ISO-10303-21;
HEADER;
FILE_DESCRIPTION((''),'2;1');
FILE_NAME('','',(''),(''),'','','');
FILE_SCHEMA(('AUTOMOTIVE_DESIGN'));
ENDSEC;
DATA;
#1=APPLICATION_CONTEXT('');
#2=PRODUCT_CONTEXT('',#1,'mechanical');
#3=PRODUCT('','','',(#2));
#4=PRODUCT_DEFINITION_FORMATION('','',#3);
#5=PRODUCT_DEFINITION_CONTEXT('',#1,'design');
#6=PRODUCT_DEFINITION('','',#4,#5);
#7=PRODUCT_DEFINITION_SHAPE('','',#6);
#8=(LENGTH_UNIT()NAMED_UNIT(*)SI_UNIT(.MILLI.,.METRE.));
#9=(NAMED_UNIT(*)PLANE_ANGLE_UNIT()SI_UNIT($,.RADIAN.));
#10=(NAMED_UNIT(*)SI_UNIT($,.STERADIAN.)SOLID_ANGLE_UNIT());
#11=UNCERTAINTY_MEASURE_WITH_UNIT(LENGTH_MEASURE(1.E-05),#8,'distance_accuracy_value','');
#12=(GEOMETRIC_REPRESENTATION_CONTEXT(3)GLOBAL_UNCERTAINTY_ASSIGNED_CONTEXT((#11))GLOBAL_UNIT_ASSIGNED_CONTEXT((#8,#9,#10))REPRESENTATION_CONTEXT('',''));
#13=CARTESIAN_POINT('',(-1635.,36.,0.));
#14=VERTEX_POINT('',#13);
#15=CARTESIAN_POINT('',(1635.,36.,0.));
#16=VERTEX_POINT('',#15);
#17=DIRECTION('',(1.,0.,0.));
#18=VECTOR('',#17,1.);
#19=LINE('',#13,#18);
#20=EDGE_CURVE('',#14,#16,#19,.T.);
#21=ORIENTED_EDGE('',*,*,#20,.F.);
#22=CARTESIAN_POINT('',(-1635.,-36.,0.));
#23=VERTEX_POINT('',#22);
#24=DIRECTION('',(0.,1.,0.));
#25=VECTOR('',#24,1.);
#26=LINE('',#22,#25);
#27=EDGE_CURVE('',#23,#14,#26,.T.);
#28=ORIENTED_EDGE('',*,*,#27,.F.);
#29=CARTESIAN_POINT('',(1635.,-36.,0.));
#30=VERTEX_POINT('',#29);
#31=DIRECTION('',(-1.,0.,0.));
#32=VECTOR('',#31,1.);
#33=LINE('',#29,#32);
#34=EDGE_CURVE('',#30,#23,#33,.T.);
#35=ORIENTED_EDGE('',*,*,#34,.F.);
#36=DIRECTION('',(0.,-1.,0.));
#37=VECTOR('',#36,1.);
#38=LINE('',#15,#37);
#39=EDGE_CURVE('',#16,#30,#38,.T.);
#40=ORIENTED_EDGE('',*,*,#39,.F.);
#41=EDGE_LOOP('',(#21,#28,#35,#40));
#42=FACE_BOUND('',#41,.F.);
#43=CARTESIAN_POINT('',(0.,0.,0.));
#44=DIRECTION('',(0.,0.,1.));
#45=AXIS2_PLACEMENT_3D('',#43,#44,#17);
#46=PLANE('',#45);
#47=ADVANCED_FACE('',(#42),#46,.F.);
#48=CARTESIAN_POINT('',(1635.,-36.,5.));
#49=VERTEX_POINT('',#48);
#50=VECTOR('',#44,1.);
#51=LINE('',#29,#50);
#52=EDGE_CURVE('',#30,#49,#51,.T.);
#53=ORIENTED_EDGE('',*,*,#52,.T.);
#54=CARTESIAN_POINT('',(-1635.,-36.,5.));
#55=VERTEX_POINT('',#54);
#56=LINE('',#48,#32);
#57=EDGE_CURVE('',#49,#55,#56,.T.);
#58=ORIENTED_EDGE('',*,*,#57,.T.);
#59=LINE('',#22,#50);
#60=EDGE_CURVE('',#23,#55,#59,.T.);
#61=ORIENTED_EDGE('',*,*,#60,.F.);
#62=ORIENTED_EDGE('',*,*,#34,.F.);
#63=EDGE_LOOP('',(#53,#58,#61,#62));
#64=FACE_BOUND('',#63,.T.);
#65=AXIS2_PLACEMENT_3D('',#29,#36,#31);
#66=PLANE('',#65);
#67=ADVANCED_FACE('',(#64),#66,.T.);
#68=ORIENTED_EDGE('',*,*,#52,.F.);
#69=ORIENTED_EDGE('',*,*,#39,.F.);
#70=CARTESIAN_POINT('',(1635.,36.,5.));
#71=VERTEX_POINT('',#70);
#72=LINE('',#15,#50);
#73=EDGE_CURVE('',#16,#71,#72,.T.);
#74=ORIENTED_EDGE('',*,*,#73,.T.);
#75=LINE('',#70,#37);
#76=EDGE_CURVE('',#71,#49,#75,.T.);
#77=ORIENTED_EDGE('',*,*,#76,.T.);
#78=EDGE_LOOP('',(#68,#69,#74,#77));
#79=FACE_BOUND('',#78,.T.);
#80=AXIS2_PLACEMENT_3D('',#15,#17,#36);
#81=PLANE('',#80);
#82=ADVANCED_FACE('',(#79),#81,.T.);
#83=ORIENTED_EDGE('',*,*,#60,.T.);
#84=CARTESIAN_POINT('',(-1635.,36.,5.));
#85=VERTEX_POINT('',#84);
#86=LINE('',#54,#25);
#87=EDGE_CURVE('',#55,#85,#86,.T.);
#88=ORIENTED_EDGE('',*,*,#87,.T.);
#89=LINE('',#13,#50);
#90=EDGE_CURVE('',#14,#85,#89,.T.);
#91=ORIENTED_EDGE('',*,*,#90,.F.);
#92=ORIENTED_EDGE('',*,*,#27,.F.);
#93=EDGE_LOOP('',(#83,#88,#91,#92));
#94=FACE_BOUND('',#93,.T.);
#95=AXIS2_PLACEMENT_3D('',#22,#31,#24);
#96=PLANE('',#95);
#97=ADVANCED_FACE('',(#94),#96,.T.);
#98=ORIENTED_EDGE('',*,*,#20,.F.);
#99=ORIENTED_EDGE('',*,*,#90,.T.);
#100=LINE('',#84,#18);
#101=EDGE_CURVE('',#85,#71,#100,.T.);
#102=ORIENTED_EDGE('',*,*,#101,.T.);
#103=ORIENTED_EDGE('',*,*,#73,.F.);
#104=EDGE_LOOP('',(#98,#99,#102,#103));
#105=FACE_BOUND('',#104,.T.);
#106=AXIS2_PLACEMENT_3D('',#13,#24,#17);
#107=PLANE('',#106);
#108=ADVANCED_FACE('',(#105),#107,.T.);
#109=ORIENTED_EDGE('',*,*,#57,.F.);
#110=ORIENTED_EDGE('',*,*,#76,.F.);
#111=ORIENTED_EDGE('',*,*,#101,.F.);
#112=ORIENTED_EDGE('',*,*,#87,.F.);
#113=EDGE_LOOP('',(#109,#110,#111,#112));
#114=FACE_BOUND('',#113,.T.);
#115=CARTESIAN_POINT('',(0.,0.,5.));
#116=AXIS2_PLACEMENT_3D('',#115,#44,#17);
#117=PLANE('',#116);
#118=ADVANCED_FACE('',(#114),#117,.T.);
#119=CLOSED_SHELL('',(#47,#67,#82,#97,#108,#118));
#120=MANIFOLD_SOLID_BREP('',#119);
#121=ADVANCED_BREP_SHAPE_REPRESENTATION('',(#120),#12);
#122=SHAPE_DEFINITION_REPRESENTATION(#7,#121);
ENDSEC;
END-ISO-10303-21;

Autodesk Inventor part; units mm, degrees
ref_plane "YZ Plane" through (0, 0, 0) normal (1, 0, 0) x (0, 1, 0)
ref_plane "XZ Plane" through (0, 0, 0) normal (0, 1, 0) x (-1, 0, 0)
ref_plane "XY Plane" through (0, 0, 0) normal (0, 0, 1) x (1, 0, 0)
sketch "Sketch1" plane through (0, 0, 0) normal (0, 0, 1) x (1, 0, 0)
  line L0 (-1635, 36) -> (1635, 36)
  line L1 (1635, 36) -> (1635, -36)
  line L2 (1635, -36) -> (-1635, -36)
  line L3 (-1635, -36) -> (-1635, 36)
  line L4 (-1635, 36) -> (1635, -36) construction
  line L5 (1635, 36) -> (-1635, -36) construction
  point P0 (0, 0)
  dimension "d0" = 3270
  dimension "d1" = 72
extrude "Extrusion1" add sketch "Sketch1" along normal blind 5
properties part number "LuggageStrapLong"
